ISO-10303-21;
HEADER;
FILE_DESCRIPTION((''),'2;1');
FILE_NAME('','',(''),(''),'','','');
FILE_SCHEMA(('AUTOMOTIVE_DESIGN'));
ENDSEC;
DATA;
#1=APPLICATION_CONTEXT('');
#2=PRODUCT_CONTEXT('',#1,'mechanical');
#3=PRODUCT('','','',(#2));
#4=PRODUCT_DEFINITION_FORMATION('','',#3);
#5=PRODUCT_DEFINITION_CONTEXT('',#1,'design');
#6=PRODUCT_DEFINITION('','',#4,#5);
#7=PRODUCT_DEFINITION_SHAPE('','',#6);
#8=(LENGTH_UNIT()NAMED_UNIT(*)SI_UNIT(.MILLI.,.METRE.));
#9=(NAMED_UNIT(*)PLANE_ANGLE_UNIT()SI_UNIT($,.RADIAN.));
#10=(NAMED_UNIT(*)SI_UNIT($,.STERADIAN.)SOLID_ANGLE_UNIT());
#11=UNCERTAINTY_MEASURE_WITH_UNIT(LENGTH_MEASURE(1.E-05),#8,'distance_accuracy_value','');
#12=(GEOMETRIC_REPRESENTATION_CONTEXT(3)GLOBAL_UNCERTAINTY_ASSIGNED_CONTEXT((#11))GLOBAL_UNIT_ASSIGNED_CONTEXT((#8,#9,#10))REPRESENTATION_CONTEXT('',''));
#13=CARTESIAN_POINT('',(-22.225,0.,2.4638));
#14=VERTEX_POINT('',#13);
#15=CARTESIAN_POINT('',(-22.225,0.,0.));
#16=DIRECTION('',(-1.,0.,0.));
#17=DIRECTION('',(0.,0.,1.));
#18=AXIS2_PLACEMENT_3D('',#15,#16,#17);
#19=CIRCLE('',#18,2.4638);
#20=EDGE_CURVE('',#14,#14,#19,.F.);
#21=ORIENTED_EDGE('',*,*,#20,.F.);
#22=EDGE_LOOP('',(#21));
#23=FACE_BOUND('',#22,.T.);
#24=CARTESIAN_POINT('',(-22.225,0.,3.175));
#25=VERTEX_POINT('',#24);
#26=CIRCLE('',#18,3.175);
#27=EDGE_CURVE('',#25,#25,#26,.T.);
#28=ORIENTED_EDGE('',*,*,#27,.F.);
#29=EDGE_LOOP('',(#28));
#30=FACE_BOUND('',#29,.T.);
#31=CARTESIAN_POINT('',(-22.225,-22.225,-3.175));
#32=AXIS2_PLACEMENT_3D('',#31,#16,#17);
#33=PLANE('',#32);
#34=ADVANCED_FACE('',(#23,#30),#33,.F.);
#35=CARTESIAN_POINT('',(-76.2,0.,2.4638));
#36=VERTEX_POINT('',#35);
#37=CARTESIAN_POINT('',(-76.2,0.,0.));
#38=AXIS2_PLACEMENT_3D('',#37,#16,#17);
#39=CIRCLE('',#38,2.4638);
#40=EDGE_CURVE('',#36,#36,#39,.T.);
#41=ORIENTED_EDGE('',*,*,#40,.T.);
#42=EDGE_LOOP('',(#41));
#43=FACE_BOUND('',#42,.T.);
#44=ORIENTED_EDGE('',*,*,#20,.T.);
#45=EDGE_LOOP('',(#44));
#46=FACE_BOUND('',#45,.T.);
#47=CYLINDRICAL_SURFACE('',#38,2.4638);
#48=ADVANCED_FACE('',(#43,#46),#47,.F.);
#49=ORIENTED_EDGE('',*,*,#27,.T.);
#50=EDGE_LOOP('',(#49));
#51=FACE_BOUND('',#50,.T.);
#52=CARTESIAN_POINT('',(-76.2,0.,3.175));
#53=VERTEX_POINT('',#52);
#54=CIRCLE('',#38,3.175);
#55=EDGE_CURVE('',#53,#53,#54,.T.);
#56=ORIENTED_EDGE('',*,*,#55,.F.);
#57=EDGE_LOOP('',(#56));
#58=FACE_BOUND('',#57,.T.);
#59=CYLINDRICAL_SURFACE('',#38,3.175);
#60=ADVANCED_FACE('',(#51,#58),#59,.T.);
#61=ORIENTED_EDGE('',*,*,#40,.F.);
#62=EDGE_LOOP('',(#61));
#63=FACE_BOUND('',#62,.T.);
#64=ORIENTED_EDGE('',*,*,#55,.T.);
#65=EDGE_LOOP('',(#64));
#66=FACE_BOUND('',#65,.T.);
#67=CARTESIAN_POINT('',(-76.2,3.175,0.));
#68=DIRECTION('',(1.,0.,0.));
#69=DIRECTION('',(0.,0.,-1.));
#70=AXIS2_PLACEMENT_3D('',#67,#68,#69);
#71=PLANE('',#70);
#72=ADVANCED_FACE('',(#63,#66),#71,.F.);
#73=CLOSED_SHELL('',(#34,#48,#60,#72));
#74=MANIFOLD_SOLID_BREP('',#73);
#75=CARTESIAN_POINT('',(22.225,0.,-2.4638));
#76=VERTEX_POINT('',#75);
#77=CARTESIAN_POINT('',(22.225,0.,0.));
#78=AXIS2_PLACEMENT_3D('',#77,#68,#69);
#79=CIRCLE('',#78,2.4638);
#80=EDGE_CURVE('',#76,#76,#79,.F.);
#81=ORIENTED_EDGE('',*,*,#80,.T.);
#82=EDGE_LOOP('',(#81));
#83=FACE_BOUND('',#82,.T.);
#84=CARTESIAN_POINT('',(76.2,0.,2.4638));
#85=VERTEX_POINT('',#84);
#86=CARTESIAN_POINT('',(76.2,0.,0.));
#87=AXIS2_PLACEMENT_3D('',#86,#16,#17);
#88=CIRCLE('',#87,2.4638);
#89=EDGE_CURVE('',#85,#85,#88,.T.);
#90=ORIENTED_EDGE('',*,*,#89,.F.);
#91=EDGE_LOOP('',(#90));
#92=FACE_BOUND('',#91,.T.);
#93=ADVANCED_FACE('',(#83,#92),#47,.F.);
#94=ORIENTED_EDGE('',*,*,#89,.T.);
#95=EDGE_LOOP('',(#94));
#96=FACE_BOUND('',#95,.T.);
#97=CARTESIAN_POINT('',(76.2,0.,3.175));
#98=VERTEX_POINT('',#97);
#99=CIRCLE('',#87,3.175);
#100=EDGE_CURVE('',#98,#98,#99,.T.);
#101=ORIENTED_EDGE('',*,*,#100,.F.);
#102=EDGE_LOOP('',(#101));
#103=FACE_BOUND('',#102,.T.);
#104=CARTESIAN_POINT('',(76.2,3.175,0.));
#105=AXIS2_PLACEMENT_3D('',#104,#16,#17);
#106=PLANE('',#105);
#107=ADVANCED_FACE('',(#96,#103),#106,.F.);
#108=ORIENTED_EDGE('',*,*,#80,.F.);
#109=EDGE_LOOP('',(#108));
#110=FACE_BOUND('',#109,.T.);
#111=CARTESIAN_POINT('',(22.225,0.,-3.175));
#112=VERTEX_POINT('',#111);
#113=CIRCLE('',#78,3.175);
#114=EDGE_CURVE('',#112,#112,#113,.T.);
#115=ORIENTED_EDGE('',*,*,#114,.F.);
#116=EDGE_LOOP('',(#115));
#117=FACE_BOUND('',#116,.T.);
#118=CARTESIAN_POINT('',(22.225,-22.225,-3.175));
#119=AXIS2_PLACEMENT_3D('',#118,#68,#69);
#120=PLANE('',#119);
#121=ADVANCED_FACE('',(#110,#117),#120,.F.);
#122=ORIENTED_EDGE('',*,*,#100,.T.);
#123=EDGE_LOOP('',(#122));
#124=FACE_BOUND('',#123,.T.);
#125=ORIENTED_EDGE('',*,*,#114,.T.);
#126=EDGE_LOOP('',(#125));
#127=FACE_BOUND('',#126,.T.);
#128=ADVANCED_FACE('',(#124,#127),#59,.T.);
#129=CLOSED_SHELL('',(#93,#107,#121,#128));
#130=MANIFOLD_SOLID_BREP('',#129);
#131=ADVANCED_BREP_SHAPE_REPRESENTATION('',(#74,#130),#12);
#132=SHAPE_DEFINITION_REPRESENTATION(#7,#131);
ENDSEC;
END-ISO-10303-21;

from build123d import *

# Parameters (mm, degrees)
SKETCH3_W               = 152.4
SKETCH3_H               = 0.7112
CUT_EXTRUDE1_DEPTH      = 77.332177029
CUT_EXTRUDE1_DEPTH_BACK = 77.332177029
SKETCH4_W               = 44.45
SKETCH4_H               = 44.45


with BuildPart() as part:
    # Sketch3 → Revolve1 (revolve)
    with BuildSketch(Plane.XY, mode=Mode.PRIVATE) as revolve1_sk:
        with Locations((0, 2.8194)):
            Rectangle(SKETCH3_W, SKETCH3_H)
    revolve(revolve1_sk.sketch.rotate(Axis((-76.2, 0, 0), (1, 0, 0)), 90), axis=Axis((-76.2, 0, 0), (1, 0, 0)))

    # Sketch4 → Cut-Extrude1 (cut, two sides: drawn at the far end of the back side and taken through both)
    with BuildSketch(Plane.XY.offset(-CUT_EXTRUDE1_DEPTH_BACK)):
        Rectangle(SKETCH4_W, SKETCH4_H)
    extrude(amount=CUT_EXTRUDE1_DEPTH + CUT_EXTRUDE1_DEPTH_BACK, mode=Mode.SUBTRACT)


with BuildPart() as cut_extrude1_piece_1:
    # of the separate pieces the step leaves, piece 1, a body of its own (cut_extrude1_pieces)
    add(part.part.solids().sort_by_distance((-76.2, 0, 3.175))[0])


with BuildPart() as cut_extrude1_piece_2:
    # of the separate pieces the step leaves, piece 2, a body of its own (cut_extrude1_pieces)
    add(part.part.solids().sort_by_distance((22.225, 0, 3.175))[0])


solid = Compound([cut_extrude1_piece_1.part, cut_extrude1_piece_2.part])
